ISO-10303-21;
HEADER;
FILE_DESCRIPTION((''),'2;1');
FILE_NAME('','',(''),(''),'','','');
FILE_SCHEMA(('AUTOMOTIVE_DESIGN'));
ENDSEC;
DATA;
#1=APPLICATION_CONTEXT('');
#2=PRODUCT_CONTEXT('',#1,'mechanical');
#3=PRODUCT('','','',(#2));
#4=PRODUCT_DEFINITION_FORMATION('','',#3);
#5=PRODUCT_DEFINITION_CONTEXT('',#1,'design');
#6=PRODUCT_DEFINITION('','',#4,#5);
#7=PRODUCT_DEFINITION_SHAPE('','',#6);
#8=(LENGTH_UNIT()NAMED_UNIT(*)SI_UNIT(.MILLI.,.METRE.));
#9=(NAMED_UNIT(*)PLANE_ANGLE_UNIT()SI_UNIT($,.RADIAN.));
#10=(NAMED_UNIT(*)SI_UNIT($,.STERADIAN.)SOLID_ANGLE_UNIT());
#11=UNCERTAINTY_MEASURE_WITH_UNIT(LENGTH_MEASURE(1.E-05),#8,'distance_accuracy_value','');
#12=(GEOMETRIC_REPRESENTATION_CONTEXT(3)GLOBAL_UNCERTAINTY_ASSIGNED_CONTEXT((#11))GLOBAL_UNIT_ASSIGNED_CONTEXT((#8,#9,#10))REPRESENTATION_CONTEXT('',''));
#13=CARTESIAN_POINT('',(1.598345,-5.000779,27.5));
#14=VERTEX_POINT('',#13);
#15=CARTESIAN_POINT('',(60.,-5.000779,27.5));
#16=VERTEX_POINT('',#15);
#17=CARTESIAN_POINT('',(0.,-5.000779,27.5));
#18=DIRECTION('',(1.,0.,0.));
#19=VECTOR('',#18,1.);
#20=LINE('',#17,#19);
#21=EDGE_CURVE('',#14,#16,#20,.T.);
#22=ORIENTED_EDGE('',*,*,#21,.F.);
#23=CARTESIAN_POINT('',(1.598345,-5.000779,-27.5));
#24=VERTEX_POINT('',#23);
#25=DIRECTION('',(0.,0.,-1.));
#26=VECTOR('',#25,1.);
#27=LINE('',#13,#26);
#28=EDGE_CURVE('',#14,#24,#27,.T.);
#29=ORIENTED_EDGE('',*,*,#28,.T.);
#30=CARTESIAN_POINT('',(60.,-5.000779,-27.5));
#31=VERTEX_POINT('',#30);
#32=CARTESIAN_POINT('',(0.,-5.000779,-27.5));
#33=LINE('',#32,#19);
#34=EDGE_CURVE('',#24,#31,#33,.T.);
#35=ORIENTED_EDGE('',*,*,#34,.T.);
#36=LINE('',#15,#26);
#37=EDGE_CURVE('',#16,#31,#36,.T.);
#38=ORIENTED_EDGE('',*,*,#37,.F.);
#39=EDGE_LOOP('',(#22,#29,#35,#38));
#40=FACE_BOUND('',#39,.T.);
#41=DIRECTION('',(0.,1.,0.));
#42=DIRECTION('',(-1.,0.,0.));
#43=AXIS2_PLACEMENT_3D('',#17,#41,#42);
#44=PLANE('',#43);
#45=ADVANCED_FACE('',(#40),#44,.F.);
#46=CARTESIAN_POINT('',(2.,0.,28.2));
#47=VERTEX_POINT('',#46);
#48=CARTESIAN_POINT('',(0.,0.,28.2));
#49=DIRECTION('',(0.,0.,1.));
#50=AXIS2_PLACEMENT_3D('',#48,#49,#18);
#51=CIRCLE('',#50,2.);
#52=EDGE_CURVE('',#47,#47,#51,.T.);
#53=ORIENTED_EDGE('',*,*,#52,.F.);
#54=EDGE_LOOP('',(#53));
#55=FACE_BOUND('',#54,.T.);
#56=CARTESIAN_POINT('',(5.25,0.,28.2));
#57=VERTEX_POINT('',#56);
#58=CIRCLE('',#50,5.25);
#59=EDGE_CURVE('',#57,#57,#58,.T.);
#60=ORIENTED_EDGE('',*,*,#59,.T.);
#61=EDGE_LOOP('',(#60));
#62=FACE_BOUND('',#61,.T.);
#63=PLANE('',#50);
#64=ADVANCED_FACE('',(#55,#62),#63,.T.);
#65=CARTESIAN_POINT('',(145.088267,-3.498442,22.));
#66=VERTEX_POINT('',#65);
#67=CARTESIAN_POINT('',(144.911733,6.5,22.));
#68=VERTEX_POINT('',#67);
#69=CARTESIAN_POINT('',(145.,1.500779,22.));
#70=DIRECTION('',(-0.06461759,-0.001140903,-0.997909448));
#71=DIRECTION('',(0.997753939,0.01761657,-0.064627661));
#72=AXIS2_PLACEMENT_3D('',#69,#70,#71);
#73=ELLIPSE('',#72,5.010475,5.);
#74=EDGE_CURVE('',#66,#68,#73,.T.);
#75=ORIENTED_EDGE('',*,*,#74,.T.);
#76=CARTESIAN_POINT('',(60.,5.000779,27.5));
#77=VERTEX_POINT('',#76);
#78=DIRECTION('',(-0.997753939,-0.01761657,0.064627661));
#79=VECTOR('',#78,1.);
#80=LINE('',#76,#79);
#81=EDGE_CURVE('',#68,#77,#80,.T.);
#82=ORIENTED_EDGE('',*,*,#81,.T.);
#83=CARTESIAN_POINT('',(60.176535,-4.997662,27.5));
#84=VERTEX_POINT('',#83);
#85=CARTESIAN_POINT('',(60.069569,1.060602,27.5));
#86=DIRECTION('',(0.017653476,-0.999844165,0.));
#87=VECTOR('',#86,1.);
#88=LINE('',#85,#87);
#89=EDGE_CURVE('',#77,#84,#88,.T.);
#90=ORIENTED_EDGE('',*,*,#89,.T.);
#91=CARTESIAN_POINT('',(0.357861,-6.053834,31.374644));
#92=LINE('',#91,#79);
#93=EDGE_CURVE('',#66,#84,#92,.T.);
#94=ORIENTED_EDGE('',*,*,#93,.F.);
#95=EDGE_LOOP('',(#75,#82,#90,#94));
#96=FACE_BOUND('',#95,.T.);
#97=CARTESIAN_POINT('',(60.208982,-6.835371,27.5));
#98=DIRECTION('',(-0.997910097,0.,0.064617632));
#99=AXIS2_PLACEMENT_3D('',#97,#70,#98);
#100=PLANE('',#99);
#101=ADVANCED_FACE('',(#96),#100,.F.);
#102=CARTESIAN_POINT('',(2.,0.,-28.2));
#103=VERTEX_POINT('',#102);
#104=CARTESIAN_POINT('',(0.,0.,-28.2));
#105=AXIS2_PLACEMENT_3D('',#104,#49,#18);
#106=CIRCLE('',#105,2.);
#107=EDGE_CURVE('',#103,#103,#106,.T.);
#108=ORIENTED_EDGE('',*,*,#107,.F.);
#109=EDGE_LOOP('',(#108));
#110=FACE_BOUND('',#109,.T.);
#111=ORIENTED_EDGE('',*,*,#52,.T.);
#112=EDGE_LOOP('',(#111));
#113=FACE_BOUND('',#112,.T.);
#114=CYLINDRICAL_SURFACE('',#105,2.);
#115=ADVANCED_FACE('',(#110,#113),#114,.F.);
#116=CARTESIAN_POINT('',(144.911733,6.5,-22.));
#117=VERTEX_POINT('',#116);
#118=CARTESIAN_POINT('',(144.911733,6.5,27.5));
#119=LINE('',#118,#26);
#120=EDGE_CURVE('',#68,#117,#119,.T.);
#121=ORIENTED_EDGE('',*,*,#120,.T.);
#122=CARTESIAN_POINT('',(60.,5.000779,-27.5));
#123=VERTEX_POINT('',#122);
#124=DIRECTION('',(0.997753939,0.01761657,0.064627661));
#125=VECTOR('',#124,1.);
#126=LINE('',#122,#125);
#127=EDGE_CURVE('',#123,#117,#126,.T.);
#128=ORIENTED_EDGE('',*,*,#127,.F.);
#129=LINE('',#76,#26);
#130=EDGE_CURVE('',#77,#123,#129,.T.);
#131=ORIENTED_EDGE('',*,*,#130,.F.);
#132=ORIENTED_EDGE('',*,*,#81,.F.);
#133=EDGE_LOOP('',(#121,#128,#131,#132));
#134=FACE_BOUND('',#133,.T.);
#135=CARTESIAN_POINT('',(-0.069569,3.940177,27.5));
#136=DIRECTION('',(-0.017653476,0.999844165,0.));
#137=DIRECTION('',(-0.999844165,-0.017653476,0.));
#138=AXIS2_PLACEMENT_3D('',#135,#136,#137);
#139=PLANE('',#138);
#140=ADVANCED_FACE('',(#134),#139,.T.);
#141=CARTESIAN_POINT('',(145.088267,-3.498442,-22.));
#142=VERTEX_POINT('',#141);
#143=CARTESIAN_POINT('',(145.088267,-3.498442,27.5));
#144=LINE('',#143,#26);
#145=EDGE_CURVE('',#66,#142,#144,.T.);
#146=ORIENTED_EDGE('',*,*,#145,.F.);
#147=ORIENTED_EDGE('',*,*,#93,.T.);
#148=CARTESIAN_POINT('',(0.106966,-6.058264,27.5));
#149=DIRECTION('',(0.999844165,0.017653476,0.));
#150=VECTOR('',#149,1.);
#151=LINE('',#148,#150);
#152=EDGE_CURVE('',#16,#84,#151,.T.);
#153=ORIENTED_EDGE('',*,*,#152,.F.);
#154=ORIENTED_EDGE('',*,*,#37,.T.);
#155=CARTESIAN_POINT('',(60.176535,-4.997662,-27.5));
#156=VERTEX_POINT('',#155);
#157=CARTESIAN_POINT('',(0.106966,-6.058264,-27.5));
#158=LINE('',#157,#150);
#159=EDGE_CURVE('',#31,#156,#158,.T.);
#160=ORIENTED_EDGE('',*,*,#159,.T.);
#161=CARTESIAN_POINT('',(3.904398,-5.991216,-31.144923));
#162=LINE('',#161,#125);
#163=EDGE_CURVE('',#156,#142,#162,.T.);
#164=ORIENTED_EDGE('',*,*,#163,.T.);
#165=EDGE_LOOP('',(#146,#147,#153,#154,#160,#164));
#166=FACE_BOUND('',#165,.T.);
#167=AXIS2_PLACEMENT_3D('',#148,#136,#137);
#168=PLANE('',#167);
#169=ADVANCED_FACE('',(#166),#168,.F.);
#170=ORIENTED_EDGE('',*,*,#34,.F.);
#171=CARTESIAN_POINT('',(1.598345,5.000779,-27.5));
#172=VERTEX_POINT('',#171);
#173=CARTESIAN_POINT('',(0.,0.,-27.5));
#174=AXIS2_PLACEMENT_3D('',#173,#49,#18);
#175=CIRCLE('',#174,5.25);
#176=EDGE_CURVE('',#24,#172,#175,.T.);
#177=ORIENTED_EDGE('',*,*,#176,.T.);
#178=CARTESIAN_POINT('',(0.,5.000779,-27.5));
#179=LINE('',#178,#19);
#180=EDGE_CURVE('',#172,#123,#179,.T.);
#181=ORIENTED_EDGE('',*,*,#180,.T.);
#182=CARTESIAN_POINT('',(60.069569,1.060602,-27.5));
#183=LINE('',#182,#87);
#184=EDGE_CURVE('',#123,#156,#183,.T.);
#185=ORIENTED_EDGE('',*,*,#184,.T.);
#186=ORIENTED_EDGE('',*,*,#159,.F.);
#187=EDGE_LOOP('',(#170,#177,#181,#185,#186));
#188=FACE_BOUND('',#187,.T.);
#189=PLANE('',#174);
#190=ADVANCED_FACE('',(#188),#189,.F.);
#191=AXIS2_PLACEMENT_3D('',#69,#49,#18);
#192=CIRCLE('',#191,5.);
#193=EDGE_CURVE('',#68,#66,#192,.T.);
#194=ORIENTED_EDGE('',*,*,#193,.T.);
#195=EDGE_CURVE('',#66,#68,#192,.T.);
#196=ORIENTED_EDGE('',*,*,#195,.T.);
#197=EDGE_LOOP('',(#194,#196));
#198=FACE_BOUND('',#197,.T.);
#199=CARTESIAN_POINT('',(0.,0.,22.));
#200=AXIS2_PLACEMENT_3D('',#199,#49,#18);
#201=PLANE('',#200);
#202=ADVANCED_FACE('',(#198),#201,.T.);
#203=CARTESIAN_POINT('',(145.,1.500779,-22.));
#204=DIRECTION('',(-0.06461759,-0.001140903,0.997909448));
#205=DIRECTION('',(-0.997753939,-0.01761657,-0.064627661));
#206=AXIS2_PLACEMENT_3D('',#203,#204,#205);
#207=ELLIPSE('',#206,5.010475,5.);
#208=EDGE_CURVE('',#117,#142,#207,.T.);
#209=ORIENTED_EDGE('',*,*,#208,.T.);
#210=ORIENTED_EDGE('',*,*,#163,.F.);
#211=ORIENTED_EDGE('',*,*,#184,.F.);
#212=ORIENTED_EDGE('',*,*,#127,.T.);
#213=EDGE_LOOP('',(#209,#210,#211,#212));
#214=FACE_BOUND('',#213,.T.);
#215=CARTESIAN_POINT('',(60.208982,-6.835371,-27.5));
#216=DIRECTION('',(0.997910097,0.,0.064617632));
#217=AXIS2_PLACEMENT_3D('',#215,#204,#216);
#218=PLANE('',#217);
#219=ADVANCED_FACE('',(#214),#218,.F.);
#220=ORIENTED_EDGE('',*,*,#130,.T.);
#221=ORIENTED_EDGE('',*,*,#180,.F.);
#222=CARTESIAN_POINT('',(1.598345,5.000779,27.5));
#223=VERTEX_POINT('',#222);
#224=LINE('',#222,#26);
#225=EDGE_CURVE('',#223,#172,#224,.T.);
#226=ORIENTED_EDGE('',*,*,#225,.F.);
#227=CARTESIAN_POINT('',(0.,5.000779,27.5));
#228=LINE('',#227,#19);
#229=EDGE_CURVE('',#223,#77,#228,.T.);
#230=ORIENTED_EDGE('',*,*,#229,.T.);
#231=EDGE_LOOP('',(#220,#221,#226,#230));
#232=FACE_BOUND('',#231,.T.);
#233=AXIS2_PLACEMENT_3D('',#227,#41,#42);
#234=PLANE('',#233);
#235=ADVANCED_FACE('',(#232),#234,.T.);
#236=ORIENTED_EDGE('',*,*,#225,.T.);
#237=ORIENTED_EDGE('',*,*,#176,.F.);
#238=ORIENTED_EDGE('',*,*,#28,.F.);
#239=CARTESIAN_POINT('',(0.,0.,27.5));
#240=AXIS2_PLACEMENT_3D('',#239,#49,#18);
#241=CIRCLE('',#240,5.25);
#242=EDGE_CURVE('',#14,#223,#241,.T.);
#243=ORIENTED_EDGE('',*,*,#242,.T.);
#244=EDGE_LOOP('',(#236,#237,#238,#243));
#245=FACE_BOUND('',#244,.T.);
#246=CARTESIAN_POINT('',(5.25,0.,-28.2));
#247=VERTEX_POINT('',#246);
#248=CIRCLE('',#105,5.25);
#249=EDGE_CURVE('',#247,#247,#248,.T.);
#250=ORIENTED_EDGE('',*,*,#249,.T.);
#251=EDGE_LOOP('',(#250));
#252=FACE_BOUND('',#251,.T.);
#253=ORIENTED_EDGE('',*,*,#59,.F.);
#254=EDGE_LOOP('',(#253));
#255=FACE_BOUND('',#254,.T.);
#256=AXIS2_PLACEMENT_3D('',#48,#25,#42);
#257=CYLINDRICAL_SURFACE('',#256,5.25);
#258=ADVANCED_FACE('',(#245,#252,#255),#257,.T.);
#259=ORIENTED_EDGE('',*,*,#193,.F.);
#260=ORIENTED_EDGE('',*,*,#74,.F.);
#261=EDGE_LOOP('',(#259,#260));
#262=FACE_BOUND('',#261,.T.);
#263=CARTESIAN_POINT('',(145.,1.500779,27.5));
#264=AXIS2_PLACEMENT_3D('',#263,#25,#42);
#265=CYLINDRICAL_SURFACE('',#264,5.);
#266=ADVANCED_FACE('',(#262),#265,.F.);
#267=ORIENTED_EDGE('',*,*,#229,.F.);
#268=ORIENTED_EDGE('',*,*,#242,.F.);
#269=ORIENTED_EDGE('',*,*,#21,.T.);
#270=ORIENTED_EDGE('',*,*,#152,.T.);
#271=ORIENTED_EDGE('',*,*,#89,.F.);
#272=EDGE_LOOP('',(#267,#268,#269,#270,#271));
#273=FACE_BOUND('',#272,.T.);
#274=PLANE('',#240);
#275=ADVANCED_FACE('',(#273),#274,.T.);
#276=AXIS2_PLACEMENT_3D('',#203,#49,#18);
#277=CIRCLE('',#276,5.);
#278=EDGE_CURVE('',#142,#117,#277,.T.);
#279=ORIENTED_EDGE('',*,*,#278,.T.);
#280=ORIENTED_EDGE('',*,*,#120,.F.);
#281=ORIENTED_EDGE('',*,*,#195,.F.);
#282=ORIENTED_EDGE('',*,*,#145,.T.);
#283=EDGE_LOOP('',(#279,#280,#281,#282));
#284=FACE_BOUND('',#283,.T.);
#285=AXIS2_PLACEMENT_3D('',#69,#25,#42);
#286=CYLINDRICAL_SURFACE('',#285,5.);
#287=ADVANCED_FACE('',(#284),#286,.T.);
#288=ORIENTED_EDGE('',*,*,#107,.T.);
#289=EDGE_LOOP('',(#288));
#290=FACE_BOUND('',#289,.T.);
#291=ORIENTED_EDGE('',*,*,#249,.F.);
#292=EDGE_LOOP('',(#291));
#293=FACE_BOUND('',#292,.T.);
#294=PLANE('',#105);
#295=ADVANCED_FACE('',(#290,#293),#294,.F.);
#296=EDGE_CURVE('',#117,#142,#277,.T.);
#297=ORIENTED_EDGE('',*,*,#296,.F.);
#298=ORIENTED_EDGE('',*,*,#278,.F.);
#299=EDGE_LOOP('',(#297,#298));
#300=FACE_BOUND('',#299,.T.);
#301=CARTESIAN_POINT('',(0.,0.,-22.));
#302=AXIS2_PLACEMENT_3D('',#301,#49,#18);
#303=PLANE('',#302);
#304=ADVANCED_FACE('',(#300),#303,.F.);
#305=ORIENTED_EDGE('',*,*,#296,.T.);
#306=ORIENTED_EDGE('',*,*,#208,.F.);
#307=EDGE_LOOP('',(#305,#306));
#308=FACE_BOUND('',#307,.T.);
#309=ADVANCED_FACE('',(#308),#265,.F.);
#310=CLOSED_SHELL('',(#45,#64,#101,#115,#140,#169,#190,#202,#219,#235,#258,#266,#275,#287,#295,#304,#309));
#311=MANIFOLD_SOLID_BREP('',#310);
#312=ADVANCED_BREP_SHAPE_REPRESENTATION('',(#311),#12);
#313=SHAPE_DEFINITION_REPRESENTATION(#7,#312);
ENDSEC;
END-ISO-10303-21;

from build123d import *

# Parameters (mm, degrees)
RESSALTO_EXTRUS_O1_DEPTH = 28.2
RESSALTO_EXTRUS_O3_DEPTH = 22
RESSALTO_EXTRUS_O4_DEPTH = 27.5
RESSALTO_EXTRUS_O5_DEPTH = 27.5
CORTE_EXTRUS_O3_DEPTH    = 153.972464187
ESBO_O3_R                = 2
CORTE_EXTRUS_O4_DEPTH    = 161.384600668


with BuildPart() as part:
    # Esboço1 → Ressalto-extrusão1 (new, symmetric)
    with BuildSketch(Plane.XY):
        with BuildLine():
            ThreePointArc((5.25, 0), (4.239918087, 3.096061146), (1.598344907, 5.000779295))
            ThreePointArc((1.598344907, 5.000779295), (-5.25, 0), (1.598344907, -5.000779295))
            ThreePointArc((1.598344907, -5.000779295), (4.239918087, -3.096061146), (5.25, 0))
        make_face()
    extrude(amount=RESSALTO_EXTRUS_O1_DEPTH, both=True)

    # Esboço1<7> → Ressalto-extrusão4 (add, symmetric)
    with BuildSketch(Plane.XY):
        with BuildLine():
            Line((60, 5.000779295), (1.598344907, 5.000779295))
            ThreePointArc((1.598344907, 5.000779295), (4.239918087, 3.096061146), (5.25, 0))
            ThreePointArc((5.25, 0), (4.239918087, -3.096061146), (1.598344907, -5.000779295))
            Line((1.598344907, -5.000779295), (60, -5.000779295))
            Line((60, -5.000779295), (60, 5.000779295))
        make_face()
    extrude(amount=RESSALTO_EXTRUS_O4_DEPTH, both=True)



with BuildPart() as body_2:
    # Esboço1<5> → Ressalto-extrusão3 (new, symmetric)
    with BuildSketch(Plane.XY):
        with BuildLine():
            ThreePointArc((150, 1.500779295), (148.504187717, 5.067383905), (144.911732622, 6.500000121))
            ThreePointArc((144.911732622, 6.500000121), (140.000779174, 1.412511917), (145.088267378, -3.498441531))
            ThreePointArc((145.088267378, -3.498441531), (148.56660461, -2.003408422), (150, 1.500779295))
        make_face()
    extrude(amount=RESSALTO_EXTRUS_O3_DEPTH, both=True)


with BuildPart() as part_1:
    add(part.part)

    add(body_2.part)  # Ressalto-extrusão5 merges body 2
    # Esboço1<8> → Ressalto-extrusão5 (add, symmetric)
    with BuildSketch(Plane.XY):
        with BuildLine():
            Line((144.911732622, 6.500000121), (60, 5.000779295))
            Line((60, 5.000779295), (60, -5.000779295))
            Line((60, -5.000779295), (145.088267378, -3.498441531))
            ThreePointArc((145.088267378, -3.498441531), (140.000779174, 1.412511917), (144.911732622, 6.500000121))
        make_face()
    extrude(amount=RESSALTO_EXTRUS_O5_DEPTH, both=True)

    # Esboço2 → Corte-extrusão3 (cut, through all)
    with BuildSketch(Plane(origin=(-0.069568666, 3.940177355, 0), x_dir=(0.9998441652583014, 0.01765347554818762, 0), z_dir=(-0.017653475548187615, 0.9998441652583013, 0))):
        Polygon((60.078931051, -27.5), (145.003897933, -22), (145.003897933, -27.5), align=None)
        Polygon((60.078931051, 27.5), (145.003897933, 22), (145.003897933, 27.5), align=None)
    extrude(amount=-CORTE_EXTRUS_O3_DEPTH, mode=Mode.SUBTRACT)

    # Esboço3 → Corte-extrusão4 (cut, through all)
    with BuildSketch(Plane.XY.offset(28.2)):
        Circle(ESBO_O3_R)
    extrude(amount=-CORTE_EXTRUS_O4_DEPTH, mode=Mode.SUBTRACT)


solid = part_1.part
